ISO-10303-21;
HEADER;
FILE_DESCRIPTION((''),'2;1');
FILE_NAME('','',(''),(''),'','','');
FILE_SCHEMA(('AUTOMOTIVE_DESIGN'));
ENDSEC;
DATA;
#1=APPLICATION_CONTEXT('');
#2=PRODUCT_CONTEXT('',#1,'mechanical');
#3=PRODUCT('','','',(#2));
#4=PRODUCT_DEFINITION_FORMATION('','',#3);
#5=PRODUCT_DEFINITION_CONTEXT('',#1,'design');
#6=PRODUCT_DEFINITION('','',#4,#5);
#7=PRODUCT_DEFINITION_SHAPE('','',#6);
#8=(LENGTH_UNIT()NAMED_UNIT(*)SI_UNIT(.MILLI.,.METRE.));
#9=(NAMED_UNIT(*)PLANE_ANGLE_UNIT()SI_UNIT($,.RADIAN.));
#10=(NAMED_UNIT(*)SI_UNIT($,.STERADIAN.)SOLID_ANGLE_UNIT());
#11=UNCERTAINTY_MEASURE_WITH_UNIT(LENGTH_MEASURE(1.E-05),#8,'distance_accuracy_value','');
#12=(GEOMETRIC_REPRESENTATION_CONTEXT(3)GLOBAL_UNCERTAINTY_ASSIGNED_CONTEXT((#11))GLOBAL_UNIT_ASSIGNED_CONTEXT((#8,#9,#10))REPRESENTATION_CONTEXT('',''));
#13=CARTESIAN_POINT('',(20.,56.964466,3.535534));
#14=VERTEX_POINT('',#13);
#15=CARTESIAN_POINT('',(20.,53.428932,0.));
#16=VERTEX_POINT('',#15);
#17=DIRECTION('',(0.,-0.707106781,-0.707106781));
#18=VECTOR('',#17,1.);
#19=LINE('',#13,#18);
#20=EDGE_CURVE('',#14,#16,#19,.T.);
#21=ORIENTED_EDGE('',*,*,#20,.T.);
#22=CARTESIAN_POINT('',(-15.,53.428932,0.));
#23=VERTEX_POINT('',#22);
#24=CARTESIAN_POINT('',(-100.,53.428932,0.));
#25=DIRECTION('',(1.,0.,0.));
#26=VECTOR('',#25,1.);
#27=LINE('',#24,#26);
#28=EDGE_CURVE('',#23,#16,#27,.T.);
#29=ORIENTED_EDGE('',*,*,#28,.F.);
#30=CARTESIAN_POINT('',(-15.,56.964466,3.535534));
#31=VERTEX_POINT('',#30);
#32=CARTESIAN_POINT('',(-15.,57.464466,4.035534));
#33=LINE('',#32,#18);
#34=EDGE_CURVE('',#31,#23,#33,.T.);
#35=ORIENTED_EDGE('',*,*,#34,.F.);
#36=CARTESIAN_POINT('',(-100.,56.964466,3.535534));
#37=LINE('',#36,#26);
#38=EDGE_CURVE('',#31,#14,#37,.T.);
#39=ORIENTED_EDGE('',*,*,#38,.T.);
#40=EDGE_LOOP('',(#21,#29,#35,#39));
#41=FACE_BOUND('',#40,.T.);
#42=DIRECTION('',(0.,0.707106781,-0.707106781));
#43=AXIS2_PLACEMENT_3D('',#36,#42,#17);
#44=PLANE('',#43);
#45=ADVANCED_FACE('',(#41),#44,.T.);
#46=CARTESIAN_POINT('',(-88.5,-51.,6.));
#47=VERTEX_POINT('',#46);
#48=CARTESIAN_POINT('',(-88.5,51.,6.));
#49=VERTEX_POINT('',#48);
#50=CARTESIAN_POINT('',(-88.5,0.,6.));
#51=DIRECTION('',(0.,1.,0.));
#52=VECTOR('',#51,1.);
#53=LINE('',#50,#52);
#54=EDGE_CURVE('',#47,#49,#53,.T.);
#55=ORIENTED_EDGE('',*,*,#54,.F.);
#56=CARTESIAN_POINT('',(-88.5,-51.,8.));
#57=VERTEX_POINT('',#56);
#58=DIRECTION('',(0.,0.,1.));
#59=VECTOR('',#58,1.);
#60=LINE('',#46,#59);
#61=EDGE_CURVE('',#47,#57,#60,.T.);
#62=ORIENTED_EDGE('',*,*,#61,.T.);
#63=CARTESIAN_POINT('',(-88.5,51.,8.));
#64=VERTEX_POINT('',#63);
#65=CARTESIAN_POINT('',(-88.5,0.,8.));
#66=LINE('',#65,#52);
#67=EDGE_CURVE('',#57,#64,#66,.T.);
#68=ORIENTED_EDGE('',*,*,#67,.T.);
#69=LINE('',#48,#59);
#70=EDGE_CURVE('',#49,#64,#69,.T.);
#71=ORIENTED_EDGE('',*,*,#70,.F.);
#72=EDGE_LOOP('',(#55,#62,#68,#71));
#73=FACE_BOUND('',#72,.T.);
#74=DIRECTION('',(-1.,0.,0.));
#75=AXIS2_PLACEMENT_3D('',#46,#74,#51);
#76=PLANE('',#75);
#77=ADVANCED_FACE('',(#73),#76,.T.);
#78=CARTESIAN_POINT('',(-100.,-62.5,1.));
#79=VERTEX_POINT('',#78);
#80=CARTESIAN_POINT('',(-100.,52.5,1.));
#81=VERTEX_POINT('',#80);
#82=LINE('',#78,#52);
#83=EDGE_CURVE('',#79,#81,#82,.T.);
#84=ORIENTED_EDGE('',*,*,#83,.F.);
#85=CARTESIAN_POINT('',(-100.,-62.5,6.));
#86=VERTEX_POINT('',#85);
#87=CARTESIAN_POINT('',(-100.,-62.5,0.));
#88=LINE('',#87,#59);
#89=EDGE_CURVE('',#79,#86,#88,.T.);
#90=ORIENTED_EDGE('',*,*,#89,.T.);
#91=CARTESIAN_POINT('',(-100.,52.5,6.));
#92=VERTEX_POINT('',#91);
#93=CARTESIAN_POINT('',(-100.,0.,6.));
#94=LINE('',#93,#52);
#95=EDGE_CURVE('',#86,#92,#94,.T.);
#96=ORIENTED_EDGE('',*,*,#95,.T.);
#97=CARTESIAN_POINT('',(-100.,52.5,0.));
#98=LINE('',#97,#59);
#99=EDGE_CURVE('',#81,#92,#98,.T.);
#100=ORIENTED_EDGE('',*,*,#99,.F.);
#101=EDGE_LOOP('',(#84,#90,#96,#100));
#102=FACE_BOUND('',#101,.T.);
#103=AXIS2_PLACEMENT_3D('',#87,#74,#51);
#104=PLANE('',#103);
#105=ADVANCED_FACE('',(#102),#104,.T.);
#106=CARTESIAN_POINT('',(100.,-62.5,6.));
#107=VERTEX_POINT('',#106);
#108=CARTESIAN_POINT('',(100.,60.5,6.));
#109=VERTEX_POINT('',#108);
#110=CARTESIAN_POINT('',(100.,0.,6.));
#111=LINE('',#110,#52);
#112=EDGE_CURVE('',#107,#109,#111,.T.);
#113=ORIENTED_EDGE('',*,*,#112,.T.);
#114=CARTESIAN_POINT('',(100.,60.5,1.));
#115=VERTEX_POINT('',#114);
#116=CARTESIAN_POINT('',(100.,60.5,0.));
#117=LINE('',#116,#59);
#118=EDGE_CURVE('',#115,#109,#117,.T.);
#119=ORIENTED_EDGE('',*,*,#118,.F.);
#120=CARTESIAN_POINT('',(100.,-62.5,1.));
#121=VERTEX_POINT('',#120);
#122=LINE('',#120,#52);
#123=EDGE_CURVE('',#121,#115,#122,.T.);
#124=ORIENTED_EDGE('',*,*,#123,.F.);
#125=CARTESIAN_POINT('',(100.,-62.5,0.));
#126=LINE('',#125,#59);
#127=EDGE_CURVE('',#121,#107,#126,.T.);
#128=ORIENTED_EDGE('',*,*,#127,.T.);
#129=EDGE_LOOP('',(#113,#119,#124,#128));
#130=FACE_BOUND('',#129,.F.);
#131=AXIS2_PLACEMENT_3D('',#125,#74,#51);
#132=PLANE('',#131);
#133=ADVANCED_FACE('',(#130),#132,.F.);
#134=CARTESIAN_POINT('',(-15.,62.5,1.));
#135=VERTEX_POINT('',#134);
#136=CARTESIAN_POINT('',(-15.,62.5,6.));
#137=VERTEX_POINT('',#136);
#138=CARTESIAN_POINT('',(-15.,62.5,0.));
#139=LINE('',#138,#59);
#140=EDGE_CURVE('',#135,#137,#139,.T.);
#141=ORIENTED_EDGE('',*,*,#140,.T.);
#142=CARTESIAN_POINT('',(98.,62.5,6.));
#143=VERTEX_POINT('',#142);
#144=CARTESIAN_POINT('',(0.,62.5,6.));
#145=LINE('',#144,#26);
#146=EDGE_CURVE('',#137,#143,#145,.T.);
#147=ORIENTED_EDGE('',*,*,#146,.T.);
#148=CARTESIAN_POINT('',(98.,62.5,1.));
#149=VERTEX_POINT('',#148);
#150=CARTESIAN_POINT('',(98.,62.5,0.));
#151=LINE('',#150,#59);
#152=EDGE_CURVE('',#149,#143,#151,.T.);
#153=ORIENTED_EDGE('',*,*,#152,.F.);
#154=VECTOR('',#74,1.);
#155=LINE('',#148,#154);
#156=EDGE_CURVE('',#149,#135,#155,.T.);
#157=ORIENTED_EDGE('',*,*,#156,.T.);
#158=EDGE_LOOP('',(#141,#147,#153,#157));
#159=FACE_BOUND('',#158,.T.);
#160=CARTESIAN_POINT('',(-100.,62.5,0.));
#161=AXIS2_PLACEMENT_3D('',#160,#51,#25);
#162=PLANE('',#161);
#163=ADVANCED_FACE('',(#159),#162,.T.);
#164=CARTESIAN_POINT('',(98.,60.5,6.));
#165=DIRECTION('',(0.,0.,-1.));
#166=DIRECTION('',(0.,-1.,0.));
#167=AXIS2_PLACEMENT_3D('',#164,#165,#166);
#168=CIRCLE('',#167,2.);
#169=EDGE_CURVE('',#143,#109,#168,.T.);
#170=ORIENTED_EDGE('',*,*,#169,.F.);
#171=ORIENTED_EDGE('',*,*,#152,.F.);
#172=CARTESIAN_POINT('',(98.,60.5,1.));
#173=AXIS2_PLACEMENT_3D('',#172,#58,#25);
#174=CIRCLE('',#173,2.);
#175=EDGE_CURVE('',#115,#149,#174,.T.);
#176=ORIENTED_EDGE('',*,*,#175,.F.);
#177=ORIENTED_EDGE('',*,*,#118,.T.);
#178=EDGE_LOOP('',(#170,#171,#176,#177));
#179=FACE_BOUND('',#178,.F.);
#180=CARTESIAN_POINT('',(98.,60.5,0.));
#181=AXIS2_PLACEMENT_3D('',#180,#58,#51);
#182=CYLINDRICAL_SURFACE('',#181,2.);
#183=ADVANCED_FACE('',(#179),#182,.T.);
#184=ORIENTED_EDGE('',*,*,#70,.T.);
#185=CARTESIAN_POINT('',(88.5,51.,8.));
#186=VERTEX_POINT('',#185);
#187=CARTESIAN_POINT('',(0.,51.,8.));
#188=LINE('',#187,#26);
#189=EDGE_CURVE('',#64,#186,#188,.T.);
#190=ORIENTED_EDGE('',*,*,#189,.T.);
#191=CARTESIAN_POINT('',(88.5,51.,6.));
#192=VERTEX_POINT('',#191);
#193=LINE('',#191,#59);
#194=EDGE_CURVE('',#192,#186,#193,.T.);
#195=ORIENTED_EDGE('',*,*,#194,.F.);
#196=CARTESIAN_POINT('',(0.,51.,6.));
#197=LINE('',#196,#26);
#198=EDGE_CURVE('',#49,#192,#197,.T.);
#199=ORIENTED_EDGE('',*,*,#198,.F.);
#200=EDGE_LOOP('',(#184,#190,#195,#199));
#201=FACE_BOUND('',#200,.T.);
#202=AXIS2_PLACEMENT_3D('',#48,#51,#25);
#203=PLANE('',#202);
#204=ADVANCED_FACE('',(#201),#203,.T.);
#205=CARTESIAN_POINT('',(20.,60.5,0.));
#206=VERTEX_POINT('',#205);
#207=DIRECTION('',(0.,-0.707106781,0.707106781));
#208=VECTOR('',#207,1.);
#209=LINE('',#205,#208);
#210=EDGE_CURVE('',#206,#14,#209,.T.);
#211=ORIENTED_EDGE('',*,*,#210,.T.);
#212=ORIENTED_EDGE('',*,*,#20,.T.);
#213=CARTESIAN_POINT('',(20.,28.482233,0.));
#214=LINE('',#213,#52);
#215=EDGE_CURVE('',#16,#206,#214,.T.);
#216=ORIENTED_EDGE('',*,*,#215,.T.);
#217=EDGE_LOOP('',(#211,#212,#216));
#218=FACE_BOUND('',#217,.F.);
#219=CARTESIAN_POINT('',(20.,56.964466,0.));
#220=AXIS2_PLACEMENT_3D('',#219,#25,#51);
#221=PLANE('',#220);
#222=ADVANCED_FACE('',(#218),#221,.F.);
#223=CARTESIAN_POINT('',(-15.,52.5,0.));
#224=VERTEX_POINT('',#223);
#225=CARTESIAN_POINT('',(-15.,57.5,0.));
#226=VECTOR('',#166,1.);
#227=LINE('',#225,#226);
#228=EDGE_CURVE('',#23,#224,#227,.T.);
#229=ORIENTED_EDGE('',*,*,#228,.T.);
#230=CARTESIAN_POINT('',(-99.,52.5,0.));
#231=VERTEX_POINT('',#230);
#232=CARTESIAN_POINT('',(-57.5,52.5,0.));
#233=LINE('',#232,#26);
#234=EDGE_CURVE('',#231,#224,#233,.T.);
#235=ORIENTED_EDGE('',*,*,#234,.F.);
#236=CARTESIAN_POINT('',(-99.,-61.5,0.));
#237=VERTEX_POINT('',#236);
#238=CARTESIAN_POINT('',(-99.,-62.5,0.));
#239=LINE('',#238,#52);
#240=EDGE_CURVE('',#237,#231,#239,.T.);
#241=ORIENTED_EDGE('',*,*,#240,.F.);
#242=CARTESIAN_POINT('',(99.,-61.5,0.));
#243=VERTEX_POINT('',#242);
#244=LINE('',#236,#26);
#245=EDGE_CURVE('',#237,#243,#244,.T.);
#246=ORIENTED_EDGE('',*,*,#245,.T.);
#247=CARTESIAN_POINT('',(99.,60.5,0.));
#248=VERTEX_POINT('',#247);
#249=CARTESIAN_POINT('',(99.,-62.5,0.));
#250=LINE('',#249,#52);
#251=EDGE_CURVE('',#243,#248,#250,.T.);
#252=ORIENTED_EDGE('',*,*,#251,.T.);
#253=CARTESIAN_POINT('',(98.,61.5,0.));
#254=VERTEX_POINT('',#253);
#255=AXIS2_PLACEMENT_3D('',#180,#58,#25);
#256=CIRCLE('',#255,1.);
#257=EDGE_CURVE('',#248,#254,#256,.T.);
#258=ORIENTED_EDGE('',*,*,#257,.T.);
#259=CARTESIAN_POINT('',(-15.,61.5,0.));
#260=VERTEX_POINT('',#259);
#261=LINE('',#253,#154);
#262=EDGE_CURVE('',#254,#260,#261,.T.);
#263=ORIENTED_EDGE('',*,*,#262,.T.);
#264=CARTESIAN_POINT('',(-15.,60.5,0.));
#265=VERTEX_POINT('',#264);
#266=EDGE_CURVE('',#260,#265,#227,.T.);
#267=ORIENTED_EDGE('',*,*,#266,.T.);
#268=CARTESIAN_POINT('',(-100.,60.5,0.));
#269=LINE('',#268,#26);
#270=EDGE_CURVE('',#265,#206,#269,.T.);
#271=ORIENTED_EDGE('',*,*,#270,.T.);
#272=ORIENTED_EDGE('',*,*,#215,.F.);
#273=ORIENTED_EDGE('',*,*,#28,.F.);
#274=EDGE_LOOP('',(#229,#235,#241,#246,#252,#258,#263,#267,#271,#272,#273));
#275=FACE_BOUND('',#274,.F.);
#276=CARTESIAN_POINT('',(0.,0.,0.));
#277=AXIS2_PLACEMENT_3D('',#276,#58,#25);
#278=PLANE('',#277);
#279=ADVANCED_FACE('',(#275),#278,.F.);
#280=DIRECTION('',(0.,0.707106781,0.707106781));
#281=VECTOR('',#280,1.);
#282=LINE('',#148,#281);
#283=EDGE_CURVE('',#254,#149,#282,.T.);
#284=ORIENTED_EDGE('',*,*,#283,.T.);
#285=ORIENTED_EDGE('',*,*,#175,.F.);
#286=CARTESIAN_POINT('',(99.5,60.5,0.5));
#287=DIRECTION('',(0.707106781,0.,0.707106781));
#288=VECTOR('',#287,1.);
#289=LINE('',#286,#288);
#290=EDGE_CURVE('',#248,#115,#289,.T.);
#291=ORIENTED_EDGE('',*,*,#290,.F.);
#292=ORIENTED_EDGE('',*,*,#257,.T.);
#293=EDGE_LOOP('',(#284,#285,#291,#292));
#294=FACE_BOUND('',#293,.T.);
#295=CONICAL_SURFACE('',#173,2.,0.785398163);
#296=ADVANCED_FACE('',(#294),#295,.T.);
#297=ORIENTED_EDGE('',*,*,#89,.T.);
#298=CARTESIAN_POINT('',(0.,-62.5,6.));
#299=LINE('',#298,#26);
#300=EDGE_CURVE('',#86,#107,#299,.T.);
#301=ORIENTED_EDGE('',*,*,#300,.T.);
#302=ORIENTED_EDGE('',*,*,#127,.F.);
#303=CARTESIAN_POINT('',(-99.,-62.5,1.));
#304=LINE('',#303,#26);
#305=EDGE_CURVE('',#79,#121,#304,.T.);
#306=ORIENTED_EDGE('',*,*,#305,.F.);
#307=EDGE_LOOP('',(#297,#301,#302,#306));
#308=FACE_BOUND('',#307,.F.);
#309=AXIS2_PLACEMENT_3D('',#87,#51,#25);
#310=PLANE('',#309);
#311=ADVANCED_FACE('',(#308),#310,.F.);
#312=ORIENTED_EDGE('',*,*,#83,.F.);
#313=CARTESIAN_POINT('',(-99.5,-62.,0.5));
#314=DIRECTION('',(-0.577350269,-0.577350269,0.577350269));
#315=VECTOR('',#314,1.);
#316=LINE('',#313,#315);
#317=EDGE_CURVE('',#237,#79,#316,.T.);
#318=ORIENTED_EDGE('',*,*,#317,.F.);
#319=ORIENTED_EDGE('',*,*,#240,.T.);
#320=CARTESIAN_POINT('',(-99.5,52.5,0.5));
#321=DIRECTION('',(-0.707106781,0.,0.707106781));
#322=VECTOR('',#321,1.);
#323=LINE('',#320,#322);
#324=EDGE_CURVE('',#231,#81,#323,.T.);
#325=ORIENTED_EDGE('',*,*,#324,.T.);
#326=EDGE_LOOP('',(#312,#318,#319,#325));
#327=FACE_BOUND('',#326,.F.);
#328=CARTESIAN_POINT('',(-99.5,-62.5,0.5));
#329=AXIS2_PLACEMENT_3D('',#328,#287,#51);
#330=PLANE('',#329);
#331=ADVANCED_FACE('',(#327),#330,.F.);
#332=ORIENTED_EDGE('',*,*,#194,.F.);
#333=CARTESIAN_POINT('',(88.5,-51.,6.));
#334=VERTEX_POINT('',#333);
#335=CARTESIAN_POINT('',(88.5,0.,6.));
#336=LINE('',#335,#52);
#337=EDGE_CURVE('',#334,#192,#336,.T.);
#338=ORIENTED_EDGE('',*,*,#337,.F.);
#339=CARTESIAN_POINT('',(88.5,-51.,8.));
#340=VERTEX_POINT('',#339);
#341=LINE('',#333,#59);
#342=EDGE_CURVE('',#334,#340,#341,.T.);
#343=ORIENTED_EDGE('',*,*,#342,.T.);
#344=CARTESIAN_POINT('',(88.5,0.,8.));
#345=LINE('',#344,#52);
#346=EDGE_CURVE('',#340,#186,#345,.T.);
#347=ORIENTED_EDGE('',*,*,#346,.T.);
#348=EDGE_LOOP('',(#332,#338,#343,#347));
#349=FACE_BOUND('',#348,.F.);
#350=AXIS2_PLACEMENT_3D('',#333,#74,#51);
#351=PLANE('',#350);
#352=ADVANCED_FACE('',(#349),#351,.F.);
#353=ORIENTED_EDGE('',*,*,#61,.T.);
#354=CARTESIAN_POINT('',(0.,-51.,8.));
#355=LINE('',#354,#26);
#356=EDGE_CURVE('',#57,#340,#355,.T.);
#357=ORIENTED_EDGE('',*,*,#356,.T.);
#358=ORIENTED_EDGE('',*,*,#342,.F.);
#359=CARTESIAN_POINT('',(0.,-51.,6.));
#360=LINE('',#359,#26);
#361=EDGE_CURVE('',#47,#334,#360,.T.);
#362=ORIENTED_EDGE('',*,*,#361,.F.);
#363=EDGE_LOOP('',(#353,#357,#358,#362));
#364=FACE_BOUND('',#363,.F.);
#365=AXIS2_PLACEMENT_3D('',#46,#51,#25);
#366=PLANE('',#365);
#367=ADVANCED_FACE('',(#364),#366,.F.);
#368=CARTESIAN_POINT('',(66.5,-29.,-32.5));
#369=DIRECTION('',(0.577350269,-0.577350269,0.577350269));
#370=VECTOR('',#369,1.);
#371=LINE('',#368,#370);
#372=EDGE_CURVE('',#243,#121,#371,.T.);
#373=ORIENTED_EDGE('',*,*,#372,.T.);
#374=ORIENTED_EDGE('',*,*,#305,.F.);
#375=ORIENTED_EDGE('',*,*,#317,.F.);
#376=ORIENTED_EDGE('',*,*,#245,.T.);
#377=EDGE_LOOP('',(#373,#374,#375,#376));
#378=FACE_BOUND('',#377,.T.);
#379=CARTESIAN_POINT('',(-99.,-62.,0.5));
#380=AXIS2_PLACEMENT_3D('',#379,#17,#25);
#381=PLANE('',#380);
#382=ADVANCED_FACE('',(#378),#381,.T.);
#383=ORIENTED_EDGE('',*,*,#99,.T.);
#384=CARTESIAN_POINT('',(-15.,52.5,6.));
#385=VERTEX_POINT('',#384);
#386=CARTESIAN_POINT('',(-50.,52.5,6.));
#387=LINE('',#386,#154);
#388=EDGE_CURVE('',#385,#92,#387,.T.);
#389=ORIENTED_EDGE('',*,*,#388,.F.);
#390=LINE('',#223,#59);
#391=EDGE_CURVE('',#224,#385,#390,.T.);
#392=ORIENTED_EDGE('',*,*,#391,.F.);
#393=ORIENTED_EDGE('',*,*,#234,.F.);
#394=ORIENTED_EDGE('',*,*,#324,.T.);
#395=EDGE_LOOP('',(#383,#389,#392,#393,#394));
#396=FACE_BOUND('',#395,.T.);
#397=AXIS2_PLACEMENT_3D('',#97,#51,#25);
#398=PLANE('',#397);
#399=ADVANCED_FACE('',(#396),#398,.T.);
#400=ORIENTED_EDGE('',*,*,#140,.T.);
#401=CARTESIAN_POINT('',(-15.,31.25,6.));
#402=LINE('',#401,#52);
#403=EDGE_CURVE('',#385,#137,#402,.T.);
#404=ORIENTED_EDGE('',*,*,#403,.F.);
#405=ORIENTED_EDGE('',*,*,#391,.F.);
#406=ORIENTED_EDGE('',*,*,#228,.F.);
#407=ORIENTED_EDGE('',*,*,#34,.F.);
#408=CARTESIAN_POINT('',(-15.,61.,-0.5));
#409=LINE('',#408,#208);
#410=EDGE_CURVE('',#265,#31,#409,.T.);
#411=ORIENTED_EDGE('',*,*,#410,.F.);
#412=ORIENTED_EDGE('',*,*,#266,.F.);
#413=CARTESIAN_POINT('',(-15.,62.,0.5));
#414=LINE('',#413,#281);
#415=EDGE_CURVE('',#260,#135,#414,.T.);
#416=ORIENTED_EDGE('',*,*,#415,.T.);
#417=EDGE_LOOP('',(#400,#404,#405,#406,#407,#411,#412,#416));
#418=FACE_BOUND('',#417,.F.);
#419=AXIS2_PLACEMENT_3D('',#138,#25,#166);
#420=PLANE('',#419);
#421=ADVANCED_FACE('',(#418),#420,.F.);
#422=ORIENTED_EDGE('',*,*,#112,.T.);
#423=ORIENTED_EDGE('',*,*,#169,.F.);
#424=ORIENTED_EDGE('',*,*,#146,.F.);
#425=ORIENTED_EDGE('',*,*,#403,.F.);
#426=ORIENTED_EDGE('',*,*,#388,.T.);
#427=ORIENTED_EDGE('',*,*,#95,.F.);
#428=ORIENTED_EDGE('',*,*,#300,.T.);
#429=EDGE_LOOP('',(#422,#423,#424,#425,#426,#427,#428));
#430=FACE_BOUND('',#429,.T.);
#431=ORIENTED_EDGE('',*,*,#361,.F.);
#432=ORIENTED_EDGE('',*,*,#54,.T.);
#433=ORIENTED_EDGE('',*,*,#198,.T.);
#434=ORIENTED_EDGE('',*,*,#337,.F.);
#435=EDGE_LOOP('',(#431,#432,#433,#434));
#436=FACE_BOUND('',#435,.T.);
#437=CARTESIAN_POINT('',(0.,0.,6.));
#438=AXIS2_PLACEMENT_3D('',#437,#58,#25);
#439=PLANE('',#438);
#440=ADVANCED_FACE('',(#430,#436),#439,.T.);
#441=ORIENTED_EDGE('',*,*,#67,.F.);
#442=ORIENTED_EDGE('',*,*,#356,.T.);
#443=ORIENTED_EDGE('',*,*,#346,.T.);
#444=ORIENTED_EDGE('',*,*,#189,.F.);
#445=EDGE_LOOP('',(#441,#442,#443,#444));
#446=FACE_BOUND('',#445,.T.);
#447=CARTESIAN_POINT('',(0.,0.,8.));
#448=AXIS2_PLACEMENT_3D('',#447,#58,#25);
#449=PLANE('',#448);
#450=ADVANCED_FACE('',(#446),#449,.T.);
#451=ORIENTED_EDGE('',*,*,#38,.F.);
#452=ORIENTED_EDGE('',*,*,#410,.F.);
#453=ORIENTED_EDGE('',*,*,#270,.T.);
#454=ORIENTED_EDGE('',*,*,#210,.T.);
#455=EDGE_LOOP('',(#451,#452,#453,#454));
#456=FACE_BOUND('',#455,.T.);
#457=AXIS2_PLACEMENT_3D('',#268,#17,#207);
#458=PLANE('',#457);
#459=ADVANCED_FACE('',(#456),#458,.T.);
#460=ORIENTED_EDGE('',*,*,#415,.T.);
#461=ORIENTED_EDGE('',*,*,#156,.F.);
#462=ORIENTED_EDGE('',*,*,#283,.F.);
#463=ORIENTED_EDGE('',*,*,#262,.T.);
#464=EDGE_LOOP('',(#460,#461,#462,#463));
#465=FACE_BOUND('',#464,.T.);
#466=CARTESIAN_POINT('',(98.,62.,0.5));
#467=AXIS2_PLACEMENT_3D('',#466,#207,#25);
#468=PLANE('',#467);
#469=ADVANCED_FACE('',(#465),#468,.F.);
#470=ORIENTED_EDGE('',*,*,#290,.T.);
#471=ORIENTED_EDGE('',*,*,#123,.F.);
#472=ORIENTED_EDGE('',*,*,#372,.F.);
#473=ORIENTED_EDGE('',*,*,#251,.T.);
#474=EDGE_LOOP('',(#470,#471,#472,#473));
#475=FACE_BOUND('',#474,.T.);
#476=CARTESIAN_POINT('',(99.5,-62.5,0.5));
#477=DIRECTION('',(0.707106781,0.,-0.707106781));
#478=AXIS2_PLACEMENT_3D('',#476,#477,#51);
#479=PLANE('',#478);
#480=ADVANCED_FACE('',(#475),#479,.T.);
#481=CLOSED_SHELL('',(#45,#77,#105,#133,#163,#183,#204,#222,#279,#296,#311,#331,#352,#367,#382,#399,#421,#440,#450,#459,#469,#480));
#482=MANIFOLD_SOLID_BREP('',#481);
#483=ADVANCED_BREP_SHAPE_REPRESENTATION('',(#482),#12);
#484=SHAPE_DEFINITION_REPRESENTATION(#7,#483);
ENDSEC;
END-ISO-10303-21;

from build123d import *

# Parameters (mm, degrees)
SKETCH_W        = 200
SKETCH_H        = 125
PAD_DEPTH       = 6
SKETCH001_W     = 177
SKETCH001_H     = 102
PAD001_DEPTH    = 2
POCKET_DEPTH    = 120
SKETCH003_W     = 85
SKETCH003_H     = 10
POCKET001_DEPTH = 8.001
FILLET_R        = 2
CHAMFER_SIZE    = 1
CHAMFER001_SIZE = 1
CHAMFER002_SIZE = 1


with BuildPart() as part:
    # Sketch → Pad (new body)
    with BuildSketch(Plane.XY):
        Rectangle(SKETCH_W, SKETCH_H)
    extrude(amount=PAD_DEPTH)

    # Sketch001 (on Face6 of Pad) → Pad001 (join)
    with BuildSketch(Plane.XY.offset(6)):
        Rectangle(SKETCH001_W, SKETCH001_H)
    extrude(amount=PAD001_DEPTH)

    # Sketch002 (on Face2 of Pad001) → Pocket (cut)
    with BuildSketch(Plane(origin=(-100, 0, 0), x_dir=(0, -1, 0), z_dir=(-1, 0, 0))):
        Polygon((-60.5, 0), (-56.964466, 3.535534), (-53.428932, 0), (-56.964466, -3.535534), align=None)
    extrude(amount=-POCKET_DEPTH, mode=Mode.SUBTRACT)

    # Sketch003 (on Face4 of Pocket) → Pocket001 (cut, through all)
    with BuildSketch(Plane(origin=(0, 0, 0), x_dir=(1, 0, 0), z_dir=(0, 0, -1))):
        with Locations((-57.5, -57.5)):
            Rectangle(SKETCH003_W, SKETCH003_H)
    extrude(amount=-POCKET001_DEPTH, mode=Mode.SUBTRACT)

    # Fillet
    fillet_edges = [part.edges().sort_by_distance(p)[0] for p in [
        (100, 62.5, 3),
    ]]
    fillet(fillet_edges, radius=FILLET_R)

    # Chamfer
    chamfer_edges = [part.edges().sort_by_distance(p)[0] for p in [
        (100, -1, 0),
    ]]
    chamfer(chamfer_edges, length=CHAMFER_SIZE)

    # Chamfer001
    chamfer001_edges = [part.edges().sort_by_distance(p)[0] for p in [
        (-100, -5, 0),
    ]]
    chamfer(chamfer001_edges, length=CHAMFER001_SIZE)

    # Chamfer002
    chamfer002_edges = [part.edges().sort_by_distance(p)[0] for p in [
        (0, -62.5, 0),
    ]]
    chamfer(chamfer002_edges, length=CHAMFER002_SIZE)


solid = part.part
